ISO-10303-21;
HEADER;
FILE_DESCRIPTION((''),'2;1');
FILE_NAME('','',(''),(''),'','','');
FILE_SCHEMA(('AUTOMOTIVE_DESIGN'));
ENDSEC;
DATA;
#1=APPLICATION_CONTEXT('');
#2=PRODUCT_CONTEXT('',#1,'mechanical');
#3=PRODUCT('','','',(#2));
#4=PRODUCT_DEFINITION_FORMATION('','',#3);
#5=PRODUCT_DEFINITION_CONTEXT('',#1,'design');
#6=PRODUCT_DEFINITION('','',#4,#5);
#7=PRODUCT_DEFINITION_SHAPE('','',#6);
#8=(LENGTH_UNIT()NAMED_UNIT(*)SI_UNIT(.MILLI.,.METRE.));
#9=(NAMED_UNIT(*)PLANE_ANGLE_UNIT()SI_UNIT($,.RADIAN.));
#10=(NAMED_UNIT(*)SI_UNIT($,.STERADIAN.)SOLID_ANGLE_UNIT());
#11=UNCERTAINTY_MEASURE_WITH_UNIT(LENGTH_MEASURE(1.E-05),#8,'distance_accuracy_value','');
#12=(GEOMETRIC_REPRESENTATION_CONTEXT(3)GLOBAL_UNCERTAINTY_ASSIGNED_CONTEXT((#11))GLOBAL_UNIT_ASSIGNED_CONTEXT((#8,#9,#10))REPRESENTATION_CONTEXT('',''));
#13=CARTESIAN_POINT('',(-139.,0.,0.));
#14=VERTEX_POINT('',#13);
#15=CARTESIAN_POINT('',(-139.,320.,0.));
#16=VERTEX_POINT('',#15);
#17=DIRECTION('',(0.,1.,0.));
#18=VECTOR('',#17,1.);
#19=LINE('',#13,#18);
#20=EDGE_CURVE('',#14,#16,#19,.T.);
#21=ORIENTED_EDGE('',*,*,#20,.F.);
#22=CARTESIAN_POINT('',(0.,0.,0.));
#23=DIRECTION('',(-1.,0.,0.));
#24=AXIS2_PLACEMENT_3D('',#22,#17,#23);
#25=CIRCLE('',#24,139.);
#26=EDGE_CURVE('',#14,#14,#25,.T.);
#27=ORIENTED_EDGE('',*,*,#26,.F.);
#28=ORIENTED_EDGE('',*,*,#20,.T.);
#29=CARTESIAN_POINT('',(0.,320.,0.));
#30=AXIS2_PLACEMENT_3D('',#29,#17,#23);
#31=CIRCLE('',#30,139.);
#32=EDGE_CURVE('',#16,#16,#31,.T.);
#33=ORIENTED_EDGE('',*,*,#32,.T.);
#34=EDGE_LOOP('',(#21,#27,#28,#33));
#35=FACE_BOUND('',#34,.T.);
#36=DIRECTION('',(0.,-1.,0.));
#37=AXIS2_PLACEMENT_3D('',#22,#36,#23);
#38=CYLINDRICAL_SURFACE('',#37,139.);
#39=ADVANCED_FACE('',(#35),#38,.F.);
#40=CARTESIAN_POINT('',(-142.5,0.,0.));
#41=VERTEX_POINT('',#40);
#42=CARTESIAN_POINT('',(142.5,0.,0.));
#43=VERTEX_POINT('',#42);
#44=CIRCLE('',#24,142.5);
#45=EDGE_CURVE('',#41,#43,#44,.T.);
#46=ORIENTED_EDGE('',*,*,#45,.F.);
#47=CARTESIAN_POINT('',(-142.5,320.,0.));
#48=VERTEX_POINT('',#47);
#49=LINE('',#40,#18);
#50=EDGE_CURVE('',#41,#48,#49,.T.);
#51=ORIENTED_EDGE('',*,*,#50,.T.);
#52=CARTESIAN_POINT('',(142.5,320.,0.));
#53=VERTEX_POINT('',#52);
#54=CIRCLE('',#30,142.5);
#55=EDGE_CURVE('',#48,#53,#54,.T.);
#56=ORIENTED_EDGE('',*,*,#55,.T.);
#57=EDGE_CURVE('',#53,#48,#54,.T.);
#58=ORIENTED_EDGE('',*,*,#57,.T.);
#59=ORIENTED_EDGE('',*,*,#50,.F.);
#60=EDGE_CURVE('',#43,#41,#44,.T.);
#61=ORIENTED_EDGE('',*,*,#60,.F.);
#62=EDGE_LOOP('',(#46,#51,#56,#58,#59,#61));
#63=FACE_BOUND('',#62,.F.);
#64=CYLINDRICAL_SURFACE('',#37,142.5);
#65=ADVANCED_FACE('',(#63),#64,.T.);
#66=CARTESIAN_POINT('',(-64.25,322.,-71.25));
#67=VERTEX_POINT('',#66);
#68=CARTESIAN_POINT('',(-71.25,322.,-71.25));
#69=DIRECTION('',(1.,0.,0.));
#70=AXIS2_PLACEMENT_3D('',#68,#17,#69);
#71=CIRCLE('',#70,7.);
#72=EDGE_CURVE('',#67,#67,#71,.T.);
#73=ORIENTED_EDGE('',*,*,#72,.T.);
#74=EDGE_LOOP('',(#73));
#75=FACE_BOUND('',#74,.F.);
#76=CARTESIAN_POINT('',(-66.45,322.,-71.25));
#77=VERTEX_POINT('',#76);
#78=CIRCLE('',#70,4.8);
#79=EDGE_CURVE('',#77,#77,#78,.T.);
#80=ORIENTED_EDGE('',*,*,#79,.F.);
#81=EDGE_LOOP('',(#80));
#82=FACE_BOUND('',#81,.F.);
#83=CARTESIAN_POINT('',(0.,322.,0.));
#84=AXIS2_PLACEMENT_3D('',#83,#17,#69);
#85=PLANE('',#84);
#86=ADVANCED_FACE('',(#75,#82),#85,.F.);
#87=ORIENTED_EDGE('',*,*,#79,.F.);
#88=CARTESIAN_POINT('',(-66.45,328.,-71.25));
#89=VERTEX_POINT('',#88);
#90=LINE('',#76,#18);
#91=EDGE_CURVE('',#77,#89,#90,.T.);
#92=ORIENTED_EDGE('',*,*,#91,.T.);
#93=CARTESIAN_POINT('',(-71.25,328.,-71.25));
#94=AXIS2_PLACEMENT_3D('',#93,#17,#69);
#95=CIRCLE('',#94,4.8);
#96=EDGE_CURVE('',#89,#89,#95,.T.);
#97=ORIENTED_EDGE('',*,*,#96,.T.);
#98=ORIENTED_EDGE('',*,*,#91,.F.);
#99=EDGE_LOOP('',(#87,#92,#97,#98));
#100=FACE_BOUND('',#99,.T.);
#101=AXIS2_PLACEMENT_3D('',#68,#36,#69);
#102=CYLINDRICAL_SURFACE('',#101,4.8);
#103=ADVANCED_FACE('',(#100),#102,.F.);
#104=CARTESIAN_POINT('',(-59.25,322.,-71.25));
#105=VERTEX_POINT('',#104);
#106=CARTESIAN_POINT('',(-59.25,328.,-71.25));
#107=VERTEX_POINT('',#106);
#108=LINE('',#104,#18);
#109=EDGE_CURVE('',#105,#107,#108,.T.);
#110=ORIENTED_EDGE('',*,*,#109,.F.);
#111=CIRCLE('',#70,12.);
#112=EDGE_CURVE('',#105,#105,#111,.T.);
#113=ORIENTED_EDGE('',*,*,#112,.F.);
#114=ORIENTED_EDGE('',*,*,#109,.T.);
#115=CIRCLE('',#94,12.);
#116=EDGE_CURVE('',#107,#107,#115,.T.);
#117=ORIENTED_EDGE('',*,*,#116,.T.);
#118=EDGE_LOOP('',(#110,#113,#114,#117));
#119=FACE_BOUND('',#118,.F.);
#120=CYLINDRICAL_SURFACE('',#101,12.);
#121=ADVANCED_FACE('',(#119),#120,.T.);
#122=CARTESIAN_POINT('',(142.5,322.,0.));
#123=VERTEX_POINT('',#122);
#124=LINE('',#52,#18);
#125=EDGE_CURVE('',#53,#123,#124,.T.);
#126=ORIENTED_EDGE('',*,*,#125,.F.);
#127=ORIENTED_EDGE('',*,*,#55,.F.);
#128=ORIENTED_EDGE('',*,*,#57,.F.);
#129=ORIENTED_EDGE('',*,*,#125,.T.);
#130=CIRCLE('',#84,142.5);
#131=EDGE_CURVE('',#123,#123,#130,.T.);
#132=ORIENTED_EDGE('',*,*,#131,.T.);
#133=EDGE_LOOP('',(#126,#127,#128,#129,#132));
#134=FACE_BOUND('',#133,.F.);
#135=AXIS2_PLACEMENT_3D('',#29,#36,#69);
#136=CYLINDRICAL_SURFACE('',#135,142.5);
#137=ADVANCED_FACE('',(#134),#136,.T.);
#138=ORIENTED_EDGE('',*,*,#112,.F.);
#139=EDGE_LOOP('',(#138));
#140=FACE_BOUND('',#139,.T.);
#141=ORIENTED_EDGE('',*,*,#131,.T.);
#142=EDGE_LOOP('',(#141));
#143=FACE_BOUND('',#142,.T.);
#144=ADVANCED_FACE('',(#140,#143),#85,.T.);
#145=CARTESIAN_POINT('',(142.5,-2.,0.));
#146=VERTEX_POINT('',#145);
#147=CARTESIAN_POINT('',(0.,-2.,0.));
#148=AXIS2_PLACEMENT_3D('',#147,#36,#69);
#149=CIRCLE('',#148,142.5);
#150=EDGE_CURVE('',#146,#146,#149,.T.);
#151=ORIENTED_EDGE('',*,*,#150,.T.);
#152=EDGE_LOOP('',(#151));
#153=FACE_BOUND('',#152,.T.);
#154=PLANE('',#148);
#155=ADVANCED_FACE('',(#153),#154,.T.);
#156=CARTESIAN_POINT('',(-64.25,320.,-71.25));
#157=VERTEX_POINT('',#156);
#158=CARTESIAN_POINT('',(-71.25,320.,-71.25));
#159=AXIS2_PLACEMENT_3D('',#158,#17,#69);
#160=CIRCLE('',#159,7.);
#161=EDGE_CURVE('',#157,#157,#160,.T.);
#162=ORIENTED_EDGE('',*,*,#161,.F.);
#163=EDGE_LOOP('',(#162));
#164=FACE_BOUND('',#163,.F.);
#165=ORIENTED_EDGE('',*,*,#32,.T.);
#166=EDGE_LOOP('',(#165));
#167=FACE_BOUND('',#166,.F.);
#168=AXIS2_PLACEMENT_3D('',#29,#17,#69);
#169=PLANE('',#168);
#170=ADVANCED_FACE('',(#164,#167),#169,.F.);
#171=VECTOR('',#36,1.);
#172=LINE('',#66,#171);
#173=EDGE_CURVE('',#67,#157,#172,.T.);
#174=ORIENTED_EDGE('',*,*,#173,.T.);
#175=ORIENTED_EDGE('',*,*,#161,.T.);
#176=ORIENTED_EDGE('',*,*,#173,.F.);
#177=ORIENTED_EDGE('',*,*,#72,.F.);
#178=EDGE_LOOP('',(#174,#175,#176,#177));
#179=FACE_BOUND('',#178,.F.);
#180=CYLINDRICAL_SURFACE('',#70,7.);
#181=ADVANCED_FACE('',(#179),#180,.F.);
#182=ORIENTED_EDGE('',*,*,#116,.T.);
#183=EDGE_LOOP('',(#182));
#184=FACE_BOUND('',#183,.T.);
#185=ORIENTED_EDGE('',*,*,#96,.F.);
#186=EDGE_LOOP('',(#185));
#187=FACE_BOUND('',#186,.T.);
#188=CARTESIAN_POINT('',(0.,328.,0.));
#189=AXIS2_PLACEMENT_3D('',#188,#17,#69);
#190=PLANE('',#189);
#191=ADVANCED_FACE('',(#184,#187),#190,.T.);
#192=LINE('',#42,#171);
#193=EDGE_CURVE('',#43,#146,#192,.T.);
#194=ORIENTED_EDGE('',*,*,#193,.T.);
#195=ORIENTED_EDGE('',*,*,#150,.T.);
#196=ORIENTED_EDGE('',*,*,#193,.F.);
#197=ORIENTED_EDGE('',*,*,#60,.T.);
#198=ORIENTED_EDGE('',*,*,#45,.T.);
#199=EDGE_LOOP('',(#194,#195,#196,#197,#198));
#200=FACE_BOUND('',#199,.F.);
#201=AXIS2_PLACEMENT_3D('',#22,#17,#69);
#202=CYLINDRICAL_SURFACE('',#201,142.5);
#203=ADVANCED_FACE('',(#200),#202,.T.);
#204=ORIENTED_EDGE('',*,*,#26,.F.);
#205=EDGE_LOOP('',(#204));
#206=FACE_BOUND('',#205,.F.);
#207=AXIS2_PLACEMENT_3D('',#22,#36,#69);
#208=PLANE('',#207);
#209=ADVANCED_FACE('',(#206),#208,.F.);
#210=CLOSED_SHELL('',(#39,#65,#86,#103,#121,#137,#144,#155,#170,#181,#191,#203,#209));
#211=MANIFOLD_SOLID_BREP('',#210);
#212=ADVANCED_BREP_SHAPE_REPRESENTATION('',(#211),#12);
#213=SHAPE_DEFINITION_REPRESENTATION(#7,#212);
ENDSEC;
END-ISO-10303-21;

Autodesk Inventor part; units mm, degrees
ref_plane "YZ Plane" through (0, 0, 0) normal (1, 0, 0) x (0, 1, 0)
ref_plane "XZ Plane" through (0, 0, 0) normal (0, 1, 0) x (-1, 0, 0)
ref_plane "XY Plane" through (0, 0, 0) normal (0, 0, 1) x (1, 0, 0)
sketch "Sketch1" plane through (0, 0, 0) normal (0, 1, 0) x (-1, 0, 0)
  circle A0 centre (0, 0) radius 142.5
  circle A1 centre (0, 0) radius 139
  dimension "d0" = 285
  dimension "d1" = 278
extrude "Extrusion1" add sketch "Sketch1" along normal blind 320
sketch "Sketch2" plane through (0, 0, 0) normal (0, -1, 0) x (1, 0, 0)
  circle A0 centre (0, 0) radius 142.5
extrude "Extrusion2" add sketch "Sketch2" along normal blind 2
sketch "Sketch3" plane through (0, 320, 0) normal (0, 1, 0) x (1, 0, 0)
  circle A0 centre (0, 0) radius 142.5
extrude "Extrusion3" add sketch "Sketch3" along normal blind 2
sketch "Sketch4" plane through (0, 322, 0) normal (0, 1, 0) x (1, 0, 0)
  circle A0 centre (0, 0) radius 142.5 construction
  line L0 (0, -142.5) -> (0, 142.5) construction
  line L1 (-142.5, 0) -> (142.5, 0) construction
  line L2 (0, 142.5) -> (-142.5, 0) construction
  line L3 (0, 0) -> (-98.2878, 98.2878) construction
  circle A1 centre (0, 0) radius 139 construction
  circle A2 centre (-71.25, 71.25) radius 7
  dimension "d8" = 14
extrude "Extrusion9" cut sketch "Sketch4" against normal blind 10
sketch "Sketch8" plane through (0, 322, 0) normal (0, 1, 0) x (1, 0, 0)
  circle A0 centre (-71.25, 71.25) radius 7 projected
  circle A1 centre (-71.25, 71.25) radius 4.8
  circle A2 centre (-71.25, 71.25) radius 12
  point P0 (0, 0)
  dimension "d25" = 9.6
  dimension "d26" = 24
extrude "Extrusion10" add sketch "Sketch8" along normal blind 6 contours A0 | A2
properties part number "FermentingTun"
